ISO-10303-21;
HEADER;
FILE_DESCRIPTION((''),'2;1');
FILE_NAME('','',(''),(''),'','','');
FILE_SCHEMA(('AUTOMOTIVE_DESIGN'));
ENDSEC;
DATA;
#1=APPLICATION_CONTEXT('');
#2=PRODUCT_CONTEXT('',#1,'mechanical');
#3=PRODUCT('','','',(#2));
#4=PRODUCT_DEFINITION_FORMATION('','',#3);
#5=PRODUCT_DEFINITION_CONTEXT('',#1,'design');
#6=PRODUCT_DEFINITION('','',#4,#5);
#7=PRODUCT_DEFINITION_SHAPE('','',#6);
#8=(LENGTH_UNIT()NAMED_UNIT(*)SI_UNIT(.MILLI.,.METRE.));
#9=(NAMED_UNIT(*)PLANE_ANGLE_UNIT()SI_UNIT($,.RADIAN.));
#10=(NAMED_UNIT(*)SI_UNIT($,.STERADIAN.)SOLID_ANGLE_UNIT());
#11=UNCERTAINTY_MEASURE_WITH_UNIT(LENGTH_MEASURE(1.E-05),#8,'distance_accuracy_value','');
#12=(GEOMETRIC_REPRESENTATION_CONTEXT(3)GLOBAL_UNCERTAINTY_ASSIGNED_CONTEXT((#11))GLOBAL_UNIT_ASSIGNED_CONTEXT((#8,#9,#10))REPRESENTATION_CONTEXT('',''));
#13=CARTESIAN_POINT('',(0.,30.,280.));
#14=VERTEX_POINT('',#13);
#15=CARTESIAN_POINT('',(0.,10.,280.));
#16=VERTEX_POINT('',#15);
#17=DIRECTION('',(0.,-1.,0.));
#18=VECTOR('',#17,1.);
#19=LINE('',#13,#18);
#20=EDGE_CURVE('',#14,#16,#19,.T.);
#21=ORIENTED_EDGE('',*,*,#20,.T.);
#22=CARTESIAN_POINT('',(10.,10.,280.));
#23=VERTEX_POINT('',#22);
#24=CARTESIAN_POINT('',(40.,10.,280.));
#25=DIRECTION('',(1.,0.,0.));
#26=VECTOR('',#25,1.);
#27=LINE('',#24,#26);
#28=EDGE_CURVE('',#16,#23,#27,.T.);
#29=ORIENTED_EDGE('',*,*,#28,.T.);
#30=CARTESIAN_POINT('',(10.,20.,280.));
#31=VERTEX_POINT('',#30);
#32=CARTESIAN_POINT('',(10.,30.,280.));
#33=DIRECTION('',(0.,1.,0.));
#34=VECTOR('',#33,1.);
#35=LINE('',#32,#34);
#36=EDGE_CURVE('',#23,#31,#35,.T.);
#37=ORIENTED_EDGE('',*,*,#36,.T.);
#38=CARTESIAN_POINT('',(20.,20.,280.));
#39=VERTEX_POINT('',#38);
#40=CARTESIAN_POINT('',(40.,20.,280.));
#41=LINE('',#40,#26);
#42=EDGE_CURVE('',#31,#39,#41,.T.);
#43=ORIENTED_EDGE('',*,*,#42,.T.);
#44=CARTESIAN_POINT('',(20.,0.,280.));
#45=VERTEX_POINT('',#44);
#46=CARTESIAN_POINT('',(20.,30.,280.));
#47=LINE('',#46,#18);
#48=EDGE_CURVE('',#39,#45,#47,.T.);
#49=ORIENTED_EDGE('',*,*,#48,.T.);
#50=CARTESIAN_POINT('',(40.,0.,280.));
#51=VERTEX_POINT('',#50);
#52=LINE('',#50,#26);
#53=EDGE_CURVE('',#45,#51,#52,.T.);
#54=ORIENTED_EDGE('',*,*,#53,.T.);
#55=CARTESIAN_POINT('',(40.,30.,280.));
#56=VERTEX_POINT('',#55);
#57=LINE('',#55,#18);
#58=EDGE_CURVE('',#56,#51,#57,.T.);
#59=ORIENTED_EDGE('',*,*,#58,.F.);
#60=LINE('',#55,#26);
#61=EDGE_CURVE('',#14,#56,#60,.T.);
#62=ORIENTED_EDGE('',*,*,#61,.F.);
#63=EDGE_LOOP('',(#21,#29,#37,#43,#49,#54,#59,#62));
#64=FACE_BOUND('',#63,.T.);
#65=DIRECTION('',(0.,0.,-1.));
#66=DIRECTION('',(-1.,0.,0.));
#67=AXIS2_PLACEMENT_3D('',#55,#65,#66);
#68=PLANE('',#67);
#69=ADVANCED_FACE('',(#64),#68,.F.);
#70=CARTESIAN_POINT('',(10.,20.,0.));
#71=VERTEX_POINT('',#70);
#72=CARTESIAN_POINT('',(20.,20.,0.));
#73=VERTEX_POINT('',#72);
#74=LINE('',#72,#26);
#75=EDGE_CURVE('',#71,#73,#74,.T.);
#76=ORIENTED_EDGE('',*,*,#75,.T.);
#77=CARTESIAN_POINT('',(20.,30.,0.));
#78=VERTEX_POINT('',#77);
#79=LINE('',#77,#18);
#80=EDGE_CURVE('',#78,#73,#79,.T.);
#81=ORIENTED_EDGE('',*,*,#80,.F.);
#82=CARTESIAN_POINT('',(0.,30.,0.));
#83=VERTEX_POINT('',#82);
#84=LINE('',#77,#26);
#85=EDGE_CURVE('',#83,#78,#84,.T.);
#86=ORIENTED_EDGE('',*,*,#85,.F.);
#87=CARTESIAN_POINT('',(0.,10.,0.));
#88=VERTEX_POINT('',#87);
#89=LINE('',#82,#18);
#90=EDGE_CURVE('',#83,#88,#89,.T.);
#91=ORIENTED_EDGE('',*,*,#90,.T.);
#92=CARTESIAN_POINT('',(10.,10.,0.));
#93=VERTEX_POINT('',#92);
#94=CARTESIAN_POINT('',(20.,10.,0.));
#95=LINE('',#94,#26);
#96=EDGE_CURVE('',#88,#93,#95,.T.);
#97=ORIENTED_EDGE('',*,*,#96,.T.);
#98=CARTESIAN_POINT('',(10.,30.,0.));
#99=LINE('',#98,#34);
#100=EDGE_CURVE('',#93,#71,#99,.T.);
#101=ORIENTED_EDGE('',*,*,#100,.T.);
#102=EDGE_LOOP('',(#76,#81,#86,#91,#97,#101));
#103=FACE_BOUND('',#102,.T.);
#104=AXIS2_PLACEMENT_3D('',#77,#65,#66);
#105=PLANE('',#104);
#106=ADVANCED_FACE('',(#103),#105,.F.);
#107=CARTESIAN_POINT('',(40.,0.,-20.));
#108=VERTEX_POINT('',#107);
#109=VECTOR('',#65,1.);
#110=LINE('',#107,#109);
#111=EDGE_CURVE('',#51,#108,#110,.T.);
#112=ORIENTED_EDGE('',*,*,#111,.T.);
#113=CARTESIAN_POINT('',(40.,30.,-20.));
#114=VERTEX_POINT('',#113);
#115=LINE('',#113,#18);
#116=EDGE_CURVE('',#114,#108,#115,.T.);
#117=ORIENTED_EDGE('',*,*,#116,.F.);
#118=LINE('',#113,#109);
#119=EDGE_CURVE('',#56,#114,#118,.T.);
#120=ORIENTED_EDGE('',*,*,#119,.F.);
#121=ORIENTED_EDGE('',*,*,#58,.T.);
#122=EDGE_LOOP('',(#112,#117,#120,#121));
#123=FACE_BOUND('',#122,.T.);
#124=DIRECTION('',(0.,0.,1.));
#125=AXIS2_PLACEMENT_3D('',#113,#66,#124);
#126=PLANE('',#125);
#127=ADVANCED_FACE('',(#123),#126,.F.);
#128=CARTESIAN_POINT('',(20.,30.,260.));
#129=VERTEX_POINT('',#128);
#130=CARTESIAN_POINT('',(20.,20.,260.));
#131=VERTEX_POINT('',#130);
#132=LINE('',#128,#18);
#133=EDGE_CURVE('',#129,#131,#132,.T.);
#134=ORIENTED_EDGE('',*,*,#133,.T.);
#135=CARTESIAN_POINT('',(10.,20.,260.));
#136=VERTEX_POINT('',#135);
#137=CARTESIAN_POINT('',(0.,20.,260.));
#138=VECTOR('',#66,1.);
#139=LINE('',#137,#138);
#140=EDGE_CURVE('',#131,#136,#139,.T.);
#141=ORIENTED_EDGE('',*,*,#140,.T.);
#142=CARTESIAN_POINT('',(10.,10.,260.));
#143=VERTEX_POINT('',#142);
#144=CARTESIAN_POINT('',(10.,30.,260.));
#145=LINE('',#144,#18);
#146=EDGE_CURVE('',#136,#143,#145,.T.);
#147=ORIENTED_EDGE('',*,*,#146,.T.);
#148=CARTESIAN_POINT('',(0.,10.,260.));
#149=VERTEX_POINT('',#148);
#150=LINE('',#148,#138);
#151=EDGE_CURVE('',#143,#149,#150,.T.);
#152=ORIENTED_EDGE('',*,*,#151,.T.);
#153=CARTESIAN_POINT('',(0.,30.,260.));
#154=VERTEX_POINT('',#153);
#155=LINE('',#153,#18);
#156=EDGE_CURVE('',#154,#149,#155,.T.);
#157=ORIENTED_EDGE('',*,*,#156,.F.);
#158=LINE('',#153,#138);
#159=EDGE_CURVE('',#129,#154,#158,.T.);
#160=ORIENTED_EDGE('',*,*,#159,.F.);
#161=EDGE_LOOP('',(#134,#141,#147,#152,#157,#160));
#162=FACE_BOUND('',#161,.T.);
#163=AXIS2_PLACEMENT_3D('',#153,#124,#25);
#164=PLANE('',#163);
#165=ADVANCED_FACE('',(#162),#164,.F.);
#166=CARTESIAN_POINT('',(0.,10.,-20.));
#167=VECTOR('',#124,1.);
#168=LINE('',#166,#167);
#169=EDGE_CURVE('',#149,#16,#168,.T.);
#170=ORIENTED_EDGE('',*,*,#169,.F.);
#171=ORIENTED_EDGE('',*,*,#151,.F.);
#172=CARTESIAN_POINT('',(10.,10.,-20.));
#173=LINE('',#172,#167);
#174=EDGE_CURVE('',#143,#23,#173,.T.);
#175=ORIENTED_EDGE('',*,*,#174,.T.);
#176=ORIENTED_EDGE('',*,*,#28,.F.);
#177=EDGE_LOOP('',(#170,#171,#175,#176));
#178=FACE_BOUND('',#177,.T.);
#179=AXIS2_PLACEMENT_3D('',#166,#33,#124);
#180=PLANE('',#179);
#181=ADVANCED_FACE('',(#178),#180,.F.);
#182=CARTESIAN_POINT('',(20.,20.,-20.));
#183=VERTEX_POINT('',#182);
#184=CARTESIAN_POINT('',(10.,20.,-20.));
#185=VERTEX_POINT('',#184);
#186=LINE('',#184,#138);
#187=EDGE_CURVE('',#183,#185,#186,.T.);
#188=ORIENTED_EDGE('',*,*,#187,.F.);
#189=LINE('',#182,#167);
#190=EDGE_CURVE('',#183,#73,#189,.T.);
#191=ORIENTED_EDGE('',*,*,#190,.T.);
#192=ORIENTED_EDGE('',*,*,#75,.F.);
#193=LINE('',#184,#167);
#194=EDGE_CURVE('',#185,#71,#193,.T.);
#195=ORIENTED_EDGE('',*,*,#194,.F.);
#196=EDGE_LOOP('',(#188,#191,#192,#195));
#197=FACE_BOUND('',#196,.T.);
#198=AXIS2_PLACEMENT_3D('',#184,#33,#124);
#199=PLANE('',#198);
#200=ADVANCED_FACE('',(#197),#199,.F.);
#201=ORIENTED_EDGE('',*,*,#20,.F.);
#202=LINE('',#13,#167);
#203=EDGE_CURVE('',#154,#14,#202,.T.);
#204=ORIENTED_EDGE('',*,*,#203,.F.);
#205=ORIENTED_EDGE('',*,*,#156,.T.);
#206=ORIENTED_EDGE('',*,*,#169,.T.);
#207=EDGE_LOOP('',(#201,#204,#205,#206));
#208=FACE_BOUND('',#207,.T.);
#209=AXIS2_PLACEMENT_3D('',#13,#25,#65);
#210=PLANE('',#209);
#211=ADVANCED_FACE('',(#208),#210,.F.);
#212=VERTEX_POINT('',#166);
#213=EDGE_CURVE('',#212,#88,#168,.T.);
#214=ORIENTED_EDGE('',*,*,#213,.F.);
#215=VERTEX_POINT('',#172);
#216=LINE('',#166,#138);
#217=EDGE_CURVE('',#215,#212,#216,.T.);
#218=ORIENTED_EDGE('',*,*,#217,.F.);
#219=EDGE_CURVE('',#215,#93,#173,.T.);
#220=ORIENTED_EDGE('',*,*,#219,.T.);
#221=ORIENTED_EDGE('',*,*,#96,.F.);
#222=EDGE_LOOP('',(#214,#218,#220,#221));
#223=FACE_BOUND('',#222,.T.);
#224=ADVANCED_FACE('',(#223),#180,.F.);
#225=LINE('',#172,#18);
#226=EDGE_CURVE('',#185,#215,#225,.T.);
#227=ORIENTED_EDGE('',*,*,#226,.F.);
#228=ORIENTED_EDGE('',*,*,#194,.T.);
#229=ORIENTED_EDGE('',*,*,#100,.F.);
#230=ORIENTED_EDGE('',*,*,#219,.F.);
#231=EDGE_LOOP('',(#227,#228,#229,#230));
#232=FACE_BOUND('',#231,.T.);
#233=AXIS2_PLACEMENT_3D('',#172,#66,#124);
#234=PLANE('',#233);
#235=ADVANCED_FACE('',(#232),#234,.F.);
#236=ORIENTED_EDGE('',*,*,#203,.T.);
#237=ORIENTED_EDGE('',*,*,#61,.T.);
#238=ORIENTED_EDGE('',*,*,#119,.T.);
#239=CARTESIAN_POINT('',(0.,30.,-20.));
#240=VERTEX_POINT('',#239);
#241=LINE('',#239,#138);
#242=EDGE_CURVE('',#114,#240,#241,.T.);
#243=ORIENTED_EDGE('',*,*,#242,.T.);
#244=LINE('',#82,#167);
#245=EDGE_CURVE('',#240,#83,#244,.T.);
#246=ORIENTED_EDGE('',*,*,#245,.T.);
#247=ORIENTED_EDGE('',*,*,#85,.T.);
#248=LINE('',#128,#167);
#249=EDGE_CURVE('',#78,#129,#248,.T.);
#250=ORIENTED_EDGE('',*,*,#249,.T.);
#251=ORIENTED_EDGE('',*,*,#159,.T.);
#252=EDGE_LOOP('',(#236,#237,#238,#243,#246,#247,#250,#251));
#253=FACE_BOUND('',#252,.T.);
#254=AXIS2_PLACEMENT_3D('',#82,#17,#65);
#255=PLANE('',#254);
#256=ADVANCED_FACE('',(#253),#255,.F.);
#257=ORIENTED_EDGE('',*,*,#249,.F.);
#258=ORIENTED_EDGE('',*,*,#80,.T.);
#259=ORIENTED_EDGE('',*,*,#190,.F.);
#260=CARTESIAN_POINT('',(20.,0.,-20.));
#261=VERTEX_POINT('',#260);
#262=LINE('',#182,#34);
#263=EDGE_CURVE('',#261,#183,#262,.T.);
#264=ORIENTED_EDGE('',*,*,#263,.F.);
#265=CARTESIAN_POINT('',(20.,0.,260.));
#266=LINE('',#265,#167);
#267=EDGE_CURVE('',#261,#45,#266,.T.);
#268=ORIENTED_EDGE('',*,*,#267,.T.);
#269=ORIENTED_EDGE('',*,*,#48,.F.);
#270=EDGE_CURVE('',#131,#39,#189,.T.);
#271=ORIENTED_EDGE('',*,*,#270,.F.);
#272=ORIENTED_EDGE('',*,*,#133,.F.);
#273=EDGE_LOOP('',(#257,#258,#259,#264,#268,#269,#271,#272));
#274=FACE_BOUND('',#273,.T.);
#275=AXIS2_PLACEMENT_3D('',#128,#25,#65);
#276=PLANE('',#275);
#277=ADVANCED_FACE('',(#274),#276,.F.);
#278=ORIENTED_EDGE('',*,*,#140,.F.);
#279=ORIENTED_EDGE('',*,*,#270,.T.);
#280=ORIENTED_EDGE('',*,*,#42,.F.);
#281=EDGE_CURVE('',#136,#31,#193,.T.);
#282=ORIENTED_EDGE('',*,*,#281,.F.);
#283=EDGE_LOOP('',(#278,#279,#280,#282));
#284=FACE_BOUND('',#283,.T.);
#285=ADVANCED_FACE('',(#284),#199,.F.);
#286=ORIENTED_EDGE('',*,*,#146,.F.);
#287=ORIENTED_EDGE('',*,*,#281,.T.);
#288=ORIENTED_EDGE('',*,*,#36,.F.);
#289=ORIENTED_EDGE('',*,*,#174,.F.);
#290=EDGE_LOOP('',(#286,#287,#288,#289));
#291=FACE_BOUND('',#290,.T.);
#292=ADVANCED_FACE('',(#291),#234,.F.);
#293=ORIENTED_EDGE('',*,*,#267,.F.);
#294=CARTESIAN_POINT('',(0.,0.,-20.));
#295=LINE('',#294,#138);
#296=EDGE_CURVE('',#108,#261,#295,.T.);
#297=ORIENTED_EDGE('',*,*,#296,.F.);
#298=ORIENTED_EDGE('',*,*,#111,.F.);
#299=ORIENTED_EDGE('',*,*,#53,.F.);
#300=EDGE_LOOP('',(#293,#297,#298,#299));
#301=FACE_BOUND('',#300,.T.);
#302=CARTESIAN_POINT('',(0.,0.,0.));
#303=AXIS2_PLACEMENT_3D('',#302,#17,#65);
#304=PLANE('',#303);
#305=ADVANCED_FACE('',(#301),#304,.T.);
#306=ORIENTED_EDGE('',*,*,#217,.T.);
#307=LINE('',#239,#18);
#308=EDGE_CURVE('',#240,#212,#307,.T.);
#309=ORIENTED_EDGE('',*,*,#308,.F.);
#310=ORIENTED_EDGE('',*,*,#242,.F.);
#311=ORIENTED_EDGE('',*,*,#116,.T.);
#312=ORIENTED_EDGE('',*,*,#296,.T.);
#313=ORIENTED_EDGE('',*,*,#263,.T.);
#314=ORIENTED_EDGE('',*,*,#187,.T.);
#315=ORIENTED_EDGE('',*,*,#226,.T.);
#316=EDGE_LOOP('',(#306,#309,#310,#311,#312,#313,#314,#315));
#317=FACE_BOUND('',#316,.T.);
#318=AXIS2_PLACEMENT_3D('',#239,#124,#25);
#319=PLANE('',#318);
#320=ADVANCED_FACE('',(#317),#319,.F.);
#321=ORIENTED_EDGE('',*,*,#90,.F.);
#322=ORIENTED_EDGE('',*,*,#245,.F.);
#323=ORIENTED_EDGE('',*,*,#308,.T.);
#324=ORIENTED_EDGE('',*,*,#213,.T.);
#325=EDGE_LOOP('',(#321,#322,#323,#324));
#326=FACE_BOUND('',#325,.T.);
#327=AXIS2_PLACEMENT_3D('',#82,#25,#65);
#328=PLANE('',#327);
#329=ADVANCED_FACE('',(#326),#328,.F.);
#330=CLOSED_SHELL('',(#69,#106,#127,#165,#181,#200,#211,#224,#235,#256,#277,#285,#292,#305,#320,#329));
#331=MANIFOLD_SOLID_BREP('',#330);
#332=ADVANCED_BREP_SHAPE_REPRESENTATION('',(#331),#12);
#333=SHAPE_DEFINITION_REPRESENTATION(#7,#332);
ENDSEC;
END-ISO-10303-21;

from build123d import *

# Parameters (mm, degrees)
BOSS_EXTRUDE1_DEPTH     = 30
CUT_EXTRUDE1_DEPTH      = 1
CUT_EXTRUDE1_DEPTH_BACK = 301


with BuildPart() as part:
    # Sketch3 → Boss-Extrude1 (new body)
    with BuildSketch(Plane(origin=(0, 0, 0), x_dir=(1, 0, 0), z_dir=(0, 1, 0))):
        Polygon((0, 0), (0, 20), (40, 20), (40, -280), (0, -280), (0, -260), (20, -260), (20, 0), align=None)
    extrude(amount=BOSS_EXTRUDE1_DEPTH)

    # Sketch4 → Cut-Extrude1 (cut, two sides)
    with BuildSketch(Plane.XY.offset(280)) as cut_extrude1_sk:
        Polygon((0, 10), (10, 10), (10, 20), (20, 20), (20, 0), (0, 0), align=None)
    extrude(amount=CUT_EXTRUDE1_DEPTH, mode=Mode.SUBTRACT)
    extrude(cut_extrude1_sk.sketch, amount=-CUT_EXTRUDE1_DEPTH_BACK, mode=Mode.SUBTRACT)


solid = part.part
